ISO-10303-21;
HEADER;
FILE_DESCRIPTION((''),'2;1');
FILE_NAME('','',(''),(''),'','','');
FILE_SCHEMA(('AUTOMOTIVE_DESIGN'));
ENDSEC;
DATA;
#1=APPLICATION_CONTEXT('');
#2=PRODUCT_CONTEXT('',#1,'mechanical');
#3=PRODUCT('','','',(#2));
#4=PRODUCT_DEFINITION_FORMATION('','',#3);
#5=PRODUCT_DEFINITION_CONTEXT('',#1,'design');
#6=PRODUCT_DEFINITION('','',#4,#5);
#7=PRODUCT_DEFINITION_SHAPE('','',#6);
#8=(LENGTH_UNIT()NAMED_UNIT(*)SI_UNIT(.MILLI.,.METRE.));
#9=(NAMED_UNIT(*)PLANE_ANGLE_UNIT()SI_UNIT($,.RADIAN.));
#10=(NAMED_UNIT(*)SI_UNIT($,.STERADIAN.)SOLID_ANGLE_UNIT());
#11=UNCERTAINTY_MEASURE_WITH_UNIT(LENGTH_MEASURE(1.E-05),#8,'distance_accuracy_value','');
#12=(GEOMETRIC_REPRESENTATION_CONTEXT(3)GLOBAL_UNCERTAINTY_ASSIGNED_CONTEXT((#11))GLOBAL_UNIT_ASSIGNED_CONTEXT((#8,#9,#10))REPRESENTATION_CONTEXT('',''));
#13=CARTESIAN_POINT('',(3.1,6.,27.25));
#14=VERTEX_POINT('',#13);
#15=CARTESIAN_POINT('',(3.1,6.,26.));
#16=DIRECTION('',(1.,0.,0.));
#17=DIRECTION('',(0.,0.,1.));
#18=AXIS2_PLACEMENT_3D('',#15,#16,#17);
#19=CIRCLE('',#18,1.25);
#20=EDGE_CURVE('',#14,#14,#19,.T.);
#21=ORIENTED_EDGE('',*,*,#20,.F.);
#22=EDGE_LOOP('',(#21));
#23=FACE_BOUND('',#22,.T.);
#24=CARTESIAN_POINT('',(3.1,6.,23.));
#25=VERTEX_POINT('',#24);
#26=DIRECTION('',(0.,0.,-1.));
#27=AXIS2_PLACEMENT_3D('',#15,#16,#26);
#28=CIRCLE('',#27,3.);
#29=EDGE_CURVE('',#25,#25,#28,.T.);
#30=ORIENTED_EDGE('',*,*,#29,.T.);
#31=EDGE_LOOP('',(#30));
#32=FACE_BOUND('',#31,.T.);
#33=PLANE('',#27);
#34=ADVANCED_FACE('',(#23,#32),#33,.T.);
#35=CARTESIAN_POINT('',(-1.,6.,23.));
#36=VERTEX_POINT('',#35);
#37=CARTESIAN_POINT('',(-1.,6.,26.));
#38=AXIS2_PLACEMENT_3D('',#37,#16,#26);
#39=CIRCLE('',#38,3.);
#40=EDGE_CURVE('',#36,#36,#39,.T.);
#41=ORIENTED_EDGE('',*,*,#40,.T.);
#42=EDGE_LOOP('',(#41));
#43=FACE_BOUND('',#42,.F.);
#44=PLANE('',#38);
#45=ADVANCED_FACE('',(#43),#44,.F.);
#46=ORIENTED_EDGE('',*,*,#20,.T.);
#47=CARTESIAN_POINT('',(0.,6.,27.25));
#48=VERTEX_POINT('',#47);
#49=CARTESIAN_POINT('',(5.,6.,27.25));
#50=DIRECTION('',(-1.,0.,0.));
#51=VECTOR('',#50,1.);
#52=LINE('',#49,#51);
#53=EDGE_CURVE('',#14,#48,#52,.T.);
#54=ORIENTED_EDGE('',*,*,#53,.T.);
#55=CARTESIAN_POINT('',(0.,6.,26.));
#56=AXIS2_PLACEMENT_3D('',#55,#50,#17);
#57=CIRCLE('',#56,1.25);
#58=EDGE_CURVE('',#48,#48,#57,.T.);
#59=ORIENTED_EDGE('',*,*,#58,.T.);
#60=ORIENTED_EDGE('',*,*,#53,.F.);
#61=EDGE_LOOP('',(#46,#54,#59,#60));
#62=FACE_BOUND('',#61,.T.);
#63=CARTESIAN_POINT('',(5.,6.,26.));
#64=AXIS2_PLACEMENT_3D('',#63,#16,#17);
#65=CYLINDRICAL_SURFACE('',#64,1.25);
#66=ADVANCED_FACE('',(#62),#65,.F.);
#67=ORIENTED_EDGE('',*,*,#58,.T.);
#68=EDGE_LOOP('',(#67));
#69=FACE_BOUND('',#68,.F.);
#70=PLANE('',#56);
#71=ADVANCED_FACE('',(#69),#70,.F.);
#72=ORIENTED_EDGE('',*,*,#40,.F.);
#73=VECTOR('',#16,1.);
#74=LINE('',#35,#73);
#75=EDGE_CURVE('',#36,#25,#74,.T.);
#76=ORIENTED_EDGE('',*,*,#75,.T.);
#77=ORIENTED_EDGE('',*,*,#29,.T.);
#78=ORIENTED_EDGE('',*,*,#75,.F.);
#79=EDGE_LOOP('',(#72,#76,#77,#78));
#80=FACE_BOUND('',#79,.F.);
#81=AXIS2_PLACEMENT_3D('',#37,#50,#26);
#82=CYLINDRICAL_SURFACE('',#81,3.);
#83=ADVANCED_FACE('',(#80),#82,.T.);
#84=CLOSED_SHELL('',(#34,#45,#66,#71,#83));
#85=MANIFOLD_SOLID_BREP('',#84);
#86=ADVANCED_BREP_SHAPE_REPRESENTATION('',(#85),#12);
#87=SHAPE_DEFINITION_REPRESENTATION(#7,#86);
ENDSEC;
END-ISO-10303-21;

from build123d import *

# Parameters (mm, degrees)
CYLINDER063_R     = 1.25
CYLINDER063_DEPTH = 5
CYLINDER043_R     = 3
CYLINDER043_DEPTH = 4.1


with BuildPart() as b_w010:
    # Cylinder063 → Cylinder063 (new body)
    with BuildSketch(Plane(origin=(5, 6, 26), x_dir=(0, 0, 1), z_dir=(-1, 0, 0))):
        Circle(CYLINDER063_R)
    extrude(amount=CYLINDER063_DEPTH)


with BuildPart() as cut026:
    # Cylinder043 → Cylinder043 (new body)
    with BuildSketch(Plane(origin=(-1, 6, 26), x_dir=(0, 0, -1), z_dir=(1, 0, 0))):
        Circle(CYLINDER043_R)
    extrude(amount=CYLINDER043_DEPTH)

    # Cut026: cut B_W010
    add(b_w010.part, mode=Mode.SUBTRACT)


solid = cut026.part
